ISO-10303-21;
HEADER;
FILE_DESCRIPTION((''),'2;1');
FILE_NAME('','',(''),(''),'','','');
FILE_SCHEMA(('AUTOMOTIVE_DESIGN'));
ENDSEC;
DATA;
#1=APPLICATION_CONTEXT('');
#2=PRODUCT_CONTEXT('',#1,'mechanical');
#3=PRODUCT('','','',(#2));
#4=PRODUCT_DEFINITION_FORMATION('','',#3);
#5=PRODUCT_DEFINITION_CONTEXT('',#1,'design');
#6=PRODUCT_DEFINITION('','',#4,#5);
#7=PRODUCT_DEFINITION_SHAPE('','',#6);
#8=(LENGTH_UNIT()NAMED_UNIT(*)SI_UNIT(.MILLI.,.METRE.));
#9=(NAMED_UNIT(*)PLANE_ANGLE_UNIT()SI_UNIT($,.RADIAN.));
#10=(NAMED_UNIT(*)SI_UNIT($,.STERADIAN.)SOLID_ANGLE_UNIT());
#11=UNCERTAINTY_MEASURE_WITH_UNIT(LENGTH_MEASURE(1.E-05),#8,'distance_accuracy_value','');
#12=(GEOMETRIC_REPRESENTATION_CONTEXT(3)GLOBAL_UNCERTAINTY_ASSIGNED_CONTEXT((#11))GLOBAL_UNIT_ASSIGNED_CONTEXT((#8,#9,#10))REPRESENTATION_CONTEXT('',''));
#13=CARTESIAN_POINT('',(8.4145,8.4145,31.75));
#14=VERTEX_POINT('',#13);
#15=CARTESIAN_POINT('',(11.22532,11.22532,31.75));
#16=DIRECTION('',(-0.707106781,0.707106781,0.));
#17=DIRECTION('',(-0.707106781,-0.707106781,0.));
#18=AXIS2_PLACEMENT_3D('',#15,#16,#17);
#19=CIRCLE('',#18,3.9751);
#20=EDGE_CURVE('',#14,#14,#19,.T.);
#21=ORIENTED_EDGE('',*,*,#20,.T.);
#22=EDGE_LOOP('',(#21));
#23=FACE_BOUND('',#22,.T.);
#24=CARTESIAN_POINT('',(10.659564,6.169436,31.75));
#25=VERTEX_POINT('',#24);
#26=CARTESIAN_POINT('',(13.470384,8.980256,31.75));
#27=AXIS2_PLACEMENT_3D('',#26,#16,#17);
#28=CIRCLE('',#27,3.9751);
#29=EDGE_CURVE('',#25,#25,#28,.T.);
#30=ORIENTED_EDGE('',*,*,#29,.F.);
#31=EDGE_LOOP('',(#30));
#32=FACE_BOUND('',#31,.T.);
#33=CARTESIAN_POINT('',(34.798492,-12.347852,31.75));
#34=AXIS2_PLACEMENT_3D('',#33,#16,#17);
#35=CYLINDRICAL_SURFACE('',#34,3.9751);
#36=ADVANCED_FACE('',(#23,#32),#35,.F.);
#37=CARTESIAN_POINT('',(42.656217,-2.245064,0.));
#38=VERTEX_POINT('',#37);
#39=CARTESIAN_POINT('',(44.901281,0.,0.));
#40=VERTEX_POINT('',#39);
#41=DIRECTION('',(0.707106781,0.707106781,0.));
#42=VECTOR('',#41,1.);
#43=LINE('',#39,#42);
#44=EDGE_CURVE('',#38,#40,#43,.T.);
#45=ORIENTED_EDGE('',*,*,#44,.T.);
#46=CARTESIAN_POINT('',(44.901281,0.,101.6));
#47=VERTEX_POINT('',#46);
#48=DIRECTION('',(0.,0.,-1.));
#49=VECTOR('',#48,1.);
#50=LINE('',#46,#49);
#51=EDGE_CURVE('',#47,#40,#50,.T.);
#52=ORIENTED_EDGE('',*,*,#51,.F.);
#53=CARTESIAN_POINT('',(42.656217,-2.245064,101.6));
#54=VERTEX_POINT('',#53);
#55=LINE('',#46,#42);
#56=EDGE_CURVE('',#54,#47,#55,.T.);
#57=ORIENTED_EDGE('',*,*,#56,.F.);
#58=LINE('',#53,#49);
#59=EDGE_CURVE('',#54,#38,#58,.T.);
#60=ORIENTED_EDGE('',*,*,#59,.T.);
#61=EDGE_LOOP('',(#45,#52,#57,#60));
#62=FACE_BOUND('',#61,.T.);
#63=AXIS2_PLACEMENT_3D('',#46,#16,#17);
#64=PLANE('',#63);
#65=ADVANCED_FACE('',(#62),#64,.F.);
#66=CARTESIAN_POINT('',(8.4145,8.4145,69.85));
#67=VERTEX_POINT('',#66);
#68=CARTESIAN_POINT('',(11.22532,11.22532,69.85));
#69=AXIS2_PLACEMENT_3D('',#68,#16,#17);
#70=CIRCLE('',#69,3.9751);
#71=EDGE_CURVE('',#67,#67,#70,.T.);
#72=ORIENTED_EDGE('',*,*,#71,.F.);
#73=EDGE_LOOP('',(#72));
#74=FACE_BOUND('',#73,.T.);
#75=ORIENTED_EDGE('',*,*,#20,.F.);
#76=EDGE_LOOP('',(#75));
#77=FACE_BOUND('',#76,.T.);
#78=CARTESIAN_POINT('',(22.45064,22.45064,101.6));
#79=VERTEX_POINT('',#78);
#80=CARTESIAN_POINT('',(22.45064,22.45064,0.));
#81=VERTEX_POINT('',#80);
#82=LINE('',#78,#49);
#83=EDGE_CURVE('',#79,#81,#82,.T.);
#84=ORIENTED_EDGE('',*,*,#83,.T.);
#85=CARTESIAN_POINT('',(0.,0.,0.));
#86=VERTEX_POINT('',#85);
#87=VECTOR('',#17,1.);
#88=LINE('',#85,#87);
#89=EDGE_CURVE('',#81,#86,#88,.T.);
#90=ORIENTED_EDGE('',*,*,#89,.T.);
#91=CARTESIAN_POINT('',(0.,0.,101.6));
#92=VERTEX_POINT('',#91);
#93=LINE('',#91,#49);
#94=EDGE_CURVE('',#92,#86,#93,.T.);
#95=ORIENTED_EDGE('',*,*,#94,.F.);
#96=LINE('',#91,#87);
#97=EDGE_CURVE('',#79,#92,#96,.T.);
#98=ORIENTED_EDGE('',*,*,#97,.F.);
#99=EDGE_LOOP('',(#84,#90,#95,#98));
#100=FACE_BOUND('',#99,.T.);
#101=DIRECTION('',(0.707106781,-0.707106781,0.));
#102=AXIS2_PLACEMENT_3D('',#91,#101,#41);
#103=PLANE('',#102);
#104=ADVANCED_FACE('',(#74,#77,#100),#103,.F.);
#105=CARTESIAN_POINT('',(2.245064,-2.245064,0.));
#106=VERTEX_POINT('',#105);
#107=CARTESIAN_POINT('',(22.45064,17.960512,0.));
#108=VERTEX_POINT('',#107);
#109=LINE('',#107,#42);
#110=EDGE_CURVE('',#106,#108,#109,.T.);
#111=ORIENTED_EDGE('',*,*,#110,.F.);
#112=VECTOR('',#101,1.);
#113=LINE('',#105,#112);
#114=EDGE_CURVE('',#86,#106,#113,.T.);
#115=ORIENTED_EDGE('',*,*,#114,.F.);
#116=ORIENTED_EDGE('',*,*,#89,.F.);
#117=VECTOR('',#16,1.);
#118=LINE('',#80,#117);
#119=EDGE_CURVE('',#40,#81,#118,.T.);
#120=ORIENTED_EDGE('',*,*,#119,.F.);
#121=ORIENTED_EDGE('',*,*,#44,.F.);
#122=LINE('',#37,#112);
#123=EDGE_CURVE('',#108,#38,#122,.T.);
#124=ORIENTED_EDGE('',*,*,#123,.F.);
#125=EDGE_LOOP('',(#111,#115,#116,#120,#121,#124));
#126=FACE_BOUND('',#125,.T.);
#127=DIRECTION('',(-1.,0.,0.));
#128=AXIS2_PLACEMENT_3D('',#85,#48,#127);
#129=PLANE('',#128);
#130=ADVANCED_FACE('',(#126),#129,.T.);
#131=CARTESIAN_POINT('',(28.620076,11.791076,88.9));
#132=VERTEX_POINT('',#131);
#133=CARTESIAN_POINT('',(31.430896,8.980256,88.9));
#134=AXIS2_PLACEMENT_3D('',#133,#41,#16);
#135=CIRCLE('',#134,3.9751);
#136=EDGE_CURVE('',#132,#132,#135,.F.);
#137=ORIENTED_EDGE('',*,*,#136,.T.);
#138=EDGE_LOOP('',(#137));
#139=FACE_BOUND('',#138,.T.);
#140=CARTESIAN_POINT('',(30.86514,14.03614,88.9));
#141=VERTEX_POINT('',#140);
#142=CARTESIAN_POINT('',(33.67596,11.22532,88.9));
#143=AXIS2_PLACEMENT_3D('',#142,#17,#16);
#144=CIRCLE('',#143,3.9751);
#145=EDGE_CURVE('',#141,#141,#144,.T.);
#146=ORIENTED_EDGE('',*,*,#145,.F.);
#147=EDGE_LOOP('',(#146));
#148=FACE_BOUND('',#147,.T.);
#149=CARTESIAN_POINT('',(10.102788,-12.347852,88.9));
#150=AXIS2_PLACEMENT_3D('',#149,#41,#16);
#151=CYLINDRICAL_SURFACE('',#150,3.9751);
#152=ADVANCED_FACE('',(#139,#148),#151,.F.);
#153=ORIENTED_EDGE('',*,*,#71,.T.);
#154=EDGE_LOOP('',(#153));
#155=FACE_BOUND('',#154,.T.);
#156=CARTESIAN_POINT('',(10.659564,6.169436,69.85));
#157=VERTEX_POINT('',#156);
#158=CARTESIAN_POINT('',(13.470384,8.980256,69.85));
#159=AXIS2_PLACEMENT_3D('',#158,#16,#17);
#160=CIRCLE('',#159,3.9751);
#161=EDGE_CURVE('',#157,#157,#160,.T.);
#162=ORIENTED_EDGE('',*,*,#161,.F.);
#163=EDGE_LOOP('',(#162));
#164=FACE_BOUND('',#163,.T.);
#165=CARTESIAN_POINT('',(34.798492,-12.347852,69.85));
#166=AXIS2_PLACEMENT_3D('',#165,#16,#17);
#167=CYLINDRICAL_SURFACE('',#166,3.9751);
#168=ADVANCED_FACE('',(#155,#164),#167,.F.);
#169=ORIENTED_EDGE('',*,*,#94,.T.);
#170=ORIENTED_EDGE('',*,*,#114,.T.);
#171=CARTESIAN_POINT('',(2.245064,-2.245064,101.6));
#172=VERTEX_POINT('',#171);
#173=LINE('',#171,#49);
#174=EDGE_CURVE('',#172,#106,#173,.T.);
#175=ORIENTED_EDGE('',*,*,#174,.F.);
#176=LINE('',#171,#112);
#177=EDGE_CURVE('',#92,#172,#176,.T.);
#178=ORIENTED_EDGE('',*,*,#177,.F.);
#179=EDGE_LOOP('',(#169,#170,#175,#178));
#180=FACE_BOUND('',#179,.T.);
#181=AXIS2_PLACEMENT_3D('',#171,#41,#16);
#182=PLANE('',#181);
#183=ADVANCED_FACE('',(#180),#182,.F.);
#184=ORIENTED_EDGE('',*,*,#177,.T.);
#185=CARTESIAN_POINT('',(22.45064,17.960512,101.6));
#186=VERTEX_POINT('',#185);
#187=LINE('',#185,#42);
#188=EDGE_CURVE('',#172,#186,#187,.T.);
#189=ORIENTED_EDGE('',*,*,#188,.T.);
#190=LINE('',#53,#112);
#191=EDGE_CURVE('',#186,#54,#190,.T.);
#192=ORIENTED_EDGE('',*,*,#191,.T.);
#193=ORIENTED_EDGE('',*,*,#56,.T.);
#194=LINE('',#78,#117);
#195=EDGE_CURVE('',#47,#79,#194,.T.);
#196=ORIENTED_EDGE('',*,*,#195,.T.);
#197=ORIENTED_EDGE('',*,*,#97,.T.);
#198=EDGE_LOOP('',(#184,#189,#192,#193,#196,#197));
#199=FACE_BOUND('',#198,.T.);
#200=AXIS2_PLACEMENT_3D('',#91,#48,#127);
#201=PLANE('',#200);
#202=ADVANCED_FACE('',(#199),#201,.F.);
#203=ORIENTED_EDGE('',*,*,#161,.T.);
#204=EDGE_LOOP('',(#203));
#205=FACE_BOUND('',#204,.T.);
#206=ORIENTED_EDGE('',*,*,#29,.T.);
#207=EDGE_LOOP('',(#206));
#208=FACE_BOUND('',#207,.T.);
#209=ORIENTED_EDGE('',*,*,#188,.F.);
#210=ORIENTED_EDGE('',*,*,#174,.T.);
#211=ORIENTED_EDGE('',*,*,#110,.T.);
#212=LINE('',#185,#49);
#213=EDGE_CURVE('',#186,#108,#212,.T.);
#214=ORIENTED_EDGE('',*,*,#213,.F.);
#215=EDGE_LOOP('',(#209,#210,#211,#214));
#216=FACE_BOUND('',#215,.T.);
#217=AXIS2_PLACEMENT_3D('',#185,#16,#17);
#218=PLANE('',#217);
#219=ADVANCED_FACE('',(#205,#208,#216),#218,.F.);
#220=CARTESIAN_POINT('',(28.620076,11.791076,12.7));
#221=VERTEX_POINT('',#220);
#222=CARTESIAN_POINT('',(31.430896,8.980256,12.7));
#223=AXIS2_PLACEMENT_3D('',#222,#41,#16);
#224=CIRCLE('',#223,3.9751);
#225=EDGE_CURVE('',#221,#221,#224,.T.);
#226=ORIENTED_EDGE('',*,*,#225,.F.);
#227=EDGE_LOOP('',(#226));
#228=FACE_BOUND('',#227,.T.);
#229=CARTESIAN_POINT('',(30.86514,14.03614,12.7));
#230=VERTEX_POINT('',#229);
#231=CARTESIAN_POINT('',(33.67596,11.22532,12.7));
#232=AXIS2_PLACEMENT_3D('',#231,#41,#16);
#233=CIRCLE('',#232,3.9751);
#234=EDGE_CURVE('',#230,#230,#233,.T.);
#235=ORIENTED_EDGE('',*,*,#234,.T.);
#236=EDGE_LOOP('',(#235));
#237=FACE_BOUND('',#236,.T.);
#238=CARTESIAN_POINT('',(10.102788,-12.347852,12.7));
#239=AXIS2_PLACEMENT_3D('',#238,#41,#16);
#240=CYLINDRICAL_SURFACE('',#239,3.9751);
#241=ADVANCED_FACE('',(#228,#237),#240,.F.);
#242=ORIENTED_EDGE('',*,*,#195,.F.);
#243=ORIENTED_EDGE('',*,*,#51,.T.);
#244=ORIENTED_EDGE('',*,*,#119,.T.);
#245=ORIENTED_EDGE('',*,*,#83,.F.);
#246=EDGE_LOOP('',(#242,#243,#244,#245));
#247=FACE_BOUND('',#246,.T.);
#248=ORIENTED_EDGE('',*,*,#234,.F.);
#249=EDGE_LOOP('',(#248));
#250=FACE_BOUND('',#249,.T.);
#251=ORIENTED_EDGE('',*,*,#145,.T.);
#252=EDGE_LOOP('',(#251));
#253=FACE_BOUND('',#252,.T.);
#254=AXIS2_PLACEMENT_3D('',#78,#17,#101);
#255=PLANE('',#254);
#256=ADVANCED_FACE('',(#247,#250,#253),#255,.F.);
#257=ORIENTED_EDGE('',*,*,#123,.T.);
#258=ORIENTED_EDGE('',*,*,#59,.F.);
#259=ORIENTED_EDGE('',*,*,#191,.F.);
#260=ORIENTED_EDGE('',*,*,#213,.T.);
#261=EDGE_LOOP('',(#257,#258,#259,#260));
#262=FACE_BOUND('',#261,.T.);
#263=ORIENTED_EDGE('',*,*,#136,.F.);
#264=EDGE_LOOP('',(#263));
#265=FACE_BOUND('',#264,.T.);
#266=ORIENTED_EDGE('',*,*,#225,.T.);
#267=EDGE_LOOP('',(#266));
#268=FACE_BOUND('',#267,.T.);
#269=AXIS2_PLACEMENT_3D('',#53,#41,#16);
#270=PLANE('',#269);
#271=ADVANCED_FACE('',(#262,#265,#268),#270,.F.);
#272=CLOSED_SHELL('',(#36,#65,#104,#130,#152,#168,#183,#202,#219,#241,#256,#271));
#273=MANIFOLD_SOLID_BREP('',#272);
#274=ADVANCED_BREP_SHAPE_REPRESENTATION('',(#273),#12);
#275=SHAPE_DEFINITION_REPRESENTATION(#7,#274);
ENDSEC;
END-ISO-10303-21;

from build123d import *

# Parameters (mm, degrees)
BOSS_EXTRUDE1_DEPTH     = 101.6
SKETCH4_R               = 3.9751
CUT_EXTRUDE3_DEPTH      = 114.32570869
ESQUISSE1_R             = 3.9751
ENL_V_MAT_EXTRU_1_DEPTH = 107.941428186


with BuildPart() as part:
    # Sketch1 → Boss-Extrude1 (new body)
    with BuildSketch(Plane.XY):
        Polygon((0, 0), (22.450640303, 22.450640303), (44.901280605, 0), (42.656216575, -2.24506403), (22.450640303, 17.960512242), (2.24506403, -2.24506403), align=None)
    extrude(amount=BOSS_EXTRUDE1_DEPTH)

    # Sketch4 → Cut-Extrude3 (cut, through all)
    with BuildSketch(Plane(origin=(0, 0, 0), x_dir=(0, 0, 1), z_dir=(-0.7071067811865476, 0.7071067811865475, 0))):
        with Locations(Location((31.75, 15.875, 0), (0, 0, 270))):
            Circle(SKETCH4_R)
        with Locations(Location((69.85, 15.875, 0), (0, 0, 270))):
            Circle(SKETCH4_R)
    extrude(amount=-CUT_EXTRUDE3_DEPTH, mode=Mode.SUBTRACT)

    # Esquisse1 → Enlèv. mat.-Extru.1 (cut, through all)
    with BuildSketch(Plane(origin=(22.450640303, 22.450640303, 0), x_dir=(-0.7071067811865476, 0.7071067811865475, 0), z_dir=(0.7071067811865475, 0.7071067811865476, 0))):
        with Locations((-15.875, 12.7)):
            Circle(ESQUISSE1_R)
    enl_v_mat_extru_1 = extrude(amount=-ENL_V_MAT_EXTRU_1_DEPTH, mode=Mode.SUBTRACT)

    # Symétrie1: Enlèv. mat.-Extru.1 across plane
    add(enl_v_mat_extru_1.mirror(Plane.XY.offset(50.8)), mode=Mode.SUBTRACT)


solid = part.part
